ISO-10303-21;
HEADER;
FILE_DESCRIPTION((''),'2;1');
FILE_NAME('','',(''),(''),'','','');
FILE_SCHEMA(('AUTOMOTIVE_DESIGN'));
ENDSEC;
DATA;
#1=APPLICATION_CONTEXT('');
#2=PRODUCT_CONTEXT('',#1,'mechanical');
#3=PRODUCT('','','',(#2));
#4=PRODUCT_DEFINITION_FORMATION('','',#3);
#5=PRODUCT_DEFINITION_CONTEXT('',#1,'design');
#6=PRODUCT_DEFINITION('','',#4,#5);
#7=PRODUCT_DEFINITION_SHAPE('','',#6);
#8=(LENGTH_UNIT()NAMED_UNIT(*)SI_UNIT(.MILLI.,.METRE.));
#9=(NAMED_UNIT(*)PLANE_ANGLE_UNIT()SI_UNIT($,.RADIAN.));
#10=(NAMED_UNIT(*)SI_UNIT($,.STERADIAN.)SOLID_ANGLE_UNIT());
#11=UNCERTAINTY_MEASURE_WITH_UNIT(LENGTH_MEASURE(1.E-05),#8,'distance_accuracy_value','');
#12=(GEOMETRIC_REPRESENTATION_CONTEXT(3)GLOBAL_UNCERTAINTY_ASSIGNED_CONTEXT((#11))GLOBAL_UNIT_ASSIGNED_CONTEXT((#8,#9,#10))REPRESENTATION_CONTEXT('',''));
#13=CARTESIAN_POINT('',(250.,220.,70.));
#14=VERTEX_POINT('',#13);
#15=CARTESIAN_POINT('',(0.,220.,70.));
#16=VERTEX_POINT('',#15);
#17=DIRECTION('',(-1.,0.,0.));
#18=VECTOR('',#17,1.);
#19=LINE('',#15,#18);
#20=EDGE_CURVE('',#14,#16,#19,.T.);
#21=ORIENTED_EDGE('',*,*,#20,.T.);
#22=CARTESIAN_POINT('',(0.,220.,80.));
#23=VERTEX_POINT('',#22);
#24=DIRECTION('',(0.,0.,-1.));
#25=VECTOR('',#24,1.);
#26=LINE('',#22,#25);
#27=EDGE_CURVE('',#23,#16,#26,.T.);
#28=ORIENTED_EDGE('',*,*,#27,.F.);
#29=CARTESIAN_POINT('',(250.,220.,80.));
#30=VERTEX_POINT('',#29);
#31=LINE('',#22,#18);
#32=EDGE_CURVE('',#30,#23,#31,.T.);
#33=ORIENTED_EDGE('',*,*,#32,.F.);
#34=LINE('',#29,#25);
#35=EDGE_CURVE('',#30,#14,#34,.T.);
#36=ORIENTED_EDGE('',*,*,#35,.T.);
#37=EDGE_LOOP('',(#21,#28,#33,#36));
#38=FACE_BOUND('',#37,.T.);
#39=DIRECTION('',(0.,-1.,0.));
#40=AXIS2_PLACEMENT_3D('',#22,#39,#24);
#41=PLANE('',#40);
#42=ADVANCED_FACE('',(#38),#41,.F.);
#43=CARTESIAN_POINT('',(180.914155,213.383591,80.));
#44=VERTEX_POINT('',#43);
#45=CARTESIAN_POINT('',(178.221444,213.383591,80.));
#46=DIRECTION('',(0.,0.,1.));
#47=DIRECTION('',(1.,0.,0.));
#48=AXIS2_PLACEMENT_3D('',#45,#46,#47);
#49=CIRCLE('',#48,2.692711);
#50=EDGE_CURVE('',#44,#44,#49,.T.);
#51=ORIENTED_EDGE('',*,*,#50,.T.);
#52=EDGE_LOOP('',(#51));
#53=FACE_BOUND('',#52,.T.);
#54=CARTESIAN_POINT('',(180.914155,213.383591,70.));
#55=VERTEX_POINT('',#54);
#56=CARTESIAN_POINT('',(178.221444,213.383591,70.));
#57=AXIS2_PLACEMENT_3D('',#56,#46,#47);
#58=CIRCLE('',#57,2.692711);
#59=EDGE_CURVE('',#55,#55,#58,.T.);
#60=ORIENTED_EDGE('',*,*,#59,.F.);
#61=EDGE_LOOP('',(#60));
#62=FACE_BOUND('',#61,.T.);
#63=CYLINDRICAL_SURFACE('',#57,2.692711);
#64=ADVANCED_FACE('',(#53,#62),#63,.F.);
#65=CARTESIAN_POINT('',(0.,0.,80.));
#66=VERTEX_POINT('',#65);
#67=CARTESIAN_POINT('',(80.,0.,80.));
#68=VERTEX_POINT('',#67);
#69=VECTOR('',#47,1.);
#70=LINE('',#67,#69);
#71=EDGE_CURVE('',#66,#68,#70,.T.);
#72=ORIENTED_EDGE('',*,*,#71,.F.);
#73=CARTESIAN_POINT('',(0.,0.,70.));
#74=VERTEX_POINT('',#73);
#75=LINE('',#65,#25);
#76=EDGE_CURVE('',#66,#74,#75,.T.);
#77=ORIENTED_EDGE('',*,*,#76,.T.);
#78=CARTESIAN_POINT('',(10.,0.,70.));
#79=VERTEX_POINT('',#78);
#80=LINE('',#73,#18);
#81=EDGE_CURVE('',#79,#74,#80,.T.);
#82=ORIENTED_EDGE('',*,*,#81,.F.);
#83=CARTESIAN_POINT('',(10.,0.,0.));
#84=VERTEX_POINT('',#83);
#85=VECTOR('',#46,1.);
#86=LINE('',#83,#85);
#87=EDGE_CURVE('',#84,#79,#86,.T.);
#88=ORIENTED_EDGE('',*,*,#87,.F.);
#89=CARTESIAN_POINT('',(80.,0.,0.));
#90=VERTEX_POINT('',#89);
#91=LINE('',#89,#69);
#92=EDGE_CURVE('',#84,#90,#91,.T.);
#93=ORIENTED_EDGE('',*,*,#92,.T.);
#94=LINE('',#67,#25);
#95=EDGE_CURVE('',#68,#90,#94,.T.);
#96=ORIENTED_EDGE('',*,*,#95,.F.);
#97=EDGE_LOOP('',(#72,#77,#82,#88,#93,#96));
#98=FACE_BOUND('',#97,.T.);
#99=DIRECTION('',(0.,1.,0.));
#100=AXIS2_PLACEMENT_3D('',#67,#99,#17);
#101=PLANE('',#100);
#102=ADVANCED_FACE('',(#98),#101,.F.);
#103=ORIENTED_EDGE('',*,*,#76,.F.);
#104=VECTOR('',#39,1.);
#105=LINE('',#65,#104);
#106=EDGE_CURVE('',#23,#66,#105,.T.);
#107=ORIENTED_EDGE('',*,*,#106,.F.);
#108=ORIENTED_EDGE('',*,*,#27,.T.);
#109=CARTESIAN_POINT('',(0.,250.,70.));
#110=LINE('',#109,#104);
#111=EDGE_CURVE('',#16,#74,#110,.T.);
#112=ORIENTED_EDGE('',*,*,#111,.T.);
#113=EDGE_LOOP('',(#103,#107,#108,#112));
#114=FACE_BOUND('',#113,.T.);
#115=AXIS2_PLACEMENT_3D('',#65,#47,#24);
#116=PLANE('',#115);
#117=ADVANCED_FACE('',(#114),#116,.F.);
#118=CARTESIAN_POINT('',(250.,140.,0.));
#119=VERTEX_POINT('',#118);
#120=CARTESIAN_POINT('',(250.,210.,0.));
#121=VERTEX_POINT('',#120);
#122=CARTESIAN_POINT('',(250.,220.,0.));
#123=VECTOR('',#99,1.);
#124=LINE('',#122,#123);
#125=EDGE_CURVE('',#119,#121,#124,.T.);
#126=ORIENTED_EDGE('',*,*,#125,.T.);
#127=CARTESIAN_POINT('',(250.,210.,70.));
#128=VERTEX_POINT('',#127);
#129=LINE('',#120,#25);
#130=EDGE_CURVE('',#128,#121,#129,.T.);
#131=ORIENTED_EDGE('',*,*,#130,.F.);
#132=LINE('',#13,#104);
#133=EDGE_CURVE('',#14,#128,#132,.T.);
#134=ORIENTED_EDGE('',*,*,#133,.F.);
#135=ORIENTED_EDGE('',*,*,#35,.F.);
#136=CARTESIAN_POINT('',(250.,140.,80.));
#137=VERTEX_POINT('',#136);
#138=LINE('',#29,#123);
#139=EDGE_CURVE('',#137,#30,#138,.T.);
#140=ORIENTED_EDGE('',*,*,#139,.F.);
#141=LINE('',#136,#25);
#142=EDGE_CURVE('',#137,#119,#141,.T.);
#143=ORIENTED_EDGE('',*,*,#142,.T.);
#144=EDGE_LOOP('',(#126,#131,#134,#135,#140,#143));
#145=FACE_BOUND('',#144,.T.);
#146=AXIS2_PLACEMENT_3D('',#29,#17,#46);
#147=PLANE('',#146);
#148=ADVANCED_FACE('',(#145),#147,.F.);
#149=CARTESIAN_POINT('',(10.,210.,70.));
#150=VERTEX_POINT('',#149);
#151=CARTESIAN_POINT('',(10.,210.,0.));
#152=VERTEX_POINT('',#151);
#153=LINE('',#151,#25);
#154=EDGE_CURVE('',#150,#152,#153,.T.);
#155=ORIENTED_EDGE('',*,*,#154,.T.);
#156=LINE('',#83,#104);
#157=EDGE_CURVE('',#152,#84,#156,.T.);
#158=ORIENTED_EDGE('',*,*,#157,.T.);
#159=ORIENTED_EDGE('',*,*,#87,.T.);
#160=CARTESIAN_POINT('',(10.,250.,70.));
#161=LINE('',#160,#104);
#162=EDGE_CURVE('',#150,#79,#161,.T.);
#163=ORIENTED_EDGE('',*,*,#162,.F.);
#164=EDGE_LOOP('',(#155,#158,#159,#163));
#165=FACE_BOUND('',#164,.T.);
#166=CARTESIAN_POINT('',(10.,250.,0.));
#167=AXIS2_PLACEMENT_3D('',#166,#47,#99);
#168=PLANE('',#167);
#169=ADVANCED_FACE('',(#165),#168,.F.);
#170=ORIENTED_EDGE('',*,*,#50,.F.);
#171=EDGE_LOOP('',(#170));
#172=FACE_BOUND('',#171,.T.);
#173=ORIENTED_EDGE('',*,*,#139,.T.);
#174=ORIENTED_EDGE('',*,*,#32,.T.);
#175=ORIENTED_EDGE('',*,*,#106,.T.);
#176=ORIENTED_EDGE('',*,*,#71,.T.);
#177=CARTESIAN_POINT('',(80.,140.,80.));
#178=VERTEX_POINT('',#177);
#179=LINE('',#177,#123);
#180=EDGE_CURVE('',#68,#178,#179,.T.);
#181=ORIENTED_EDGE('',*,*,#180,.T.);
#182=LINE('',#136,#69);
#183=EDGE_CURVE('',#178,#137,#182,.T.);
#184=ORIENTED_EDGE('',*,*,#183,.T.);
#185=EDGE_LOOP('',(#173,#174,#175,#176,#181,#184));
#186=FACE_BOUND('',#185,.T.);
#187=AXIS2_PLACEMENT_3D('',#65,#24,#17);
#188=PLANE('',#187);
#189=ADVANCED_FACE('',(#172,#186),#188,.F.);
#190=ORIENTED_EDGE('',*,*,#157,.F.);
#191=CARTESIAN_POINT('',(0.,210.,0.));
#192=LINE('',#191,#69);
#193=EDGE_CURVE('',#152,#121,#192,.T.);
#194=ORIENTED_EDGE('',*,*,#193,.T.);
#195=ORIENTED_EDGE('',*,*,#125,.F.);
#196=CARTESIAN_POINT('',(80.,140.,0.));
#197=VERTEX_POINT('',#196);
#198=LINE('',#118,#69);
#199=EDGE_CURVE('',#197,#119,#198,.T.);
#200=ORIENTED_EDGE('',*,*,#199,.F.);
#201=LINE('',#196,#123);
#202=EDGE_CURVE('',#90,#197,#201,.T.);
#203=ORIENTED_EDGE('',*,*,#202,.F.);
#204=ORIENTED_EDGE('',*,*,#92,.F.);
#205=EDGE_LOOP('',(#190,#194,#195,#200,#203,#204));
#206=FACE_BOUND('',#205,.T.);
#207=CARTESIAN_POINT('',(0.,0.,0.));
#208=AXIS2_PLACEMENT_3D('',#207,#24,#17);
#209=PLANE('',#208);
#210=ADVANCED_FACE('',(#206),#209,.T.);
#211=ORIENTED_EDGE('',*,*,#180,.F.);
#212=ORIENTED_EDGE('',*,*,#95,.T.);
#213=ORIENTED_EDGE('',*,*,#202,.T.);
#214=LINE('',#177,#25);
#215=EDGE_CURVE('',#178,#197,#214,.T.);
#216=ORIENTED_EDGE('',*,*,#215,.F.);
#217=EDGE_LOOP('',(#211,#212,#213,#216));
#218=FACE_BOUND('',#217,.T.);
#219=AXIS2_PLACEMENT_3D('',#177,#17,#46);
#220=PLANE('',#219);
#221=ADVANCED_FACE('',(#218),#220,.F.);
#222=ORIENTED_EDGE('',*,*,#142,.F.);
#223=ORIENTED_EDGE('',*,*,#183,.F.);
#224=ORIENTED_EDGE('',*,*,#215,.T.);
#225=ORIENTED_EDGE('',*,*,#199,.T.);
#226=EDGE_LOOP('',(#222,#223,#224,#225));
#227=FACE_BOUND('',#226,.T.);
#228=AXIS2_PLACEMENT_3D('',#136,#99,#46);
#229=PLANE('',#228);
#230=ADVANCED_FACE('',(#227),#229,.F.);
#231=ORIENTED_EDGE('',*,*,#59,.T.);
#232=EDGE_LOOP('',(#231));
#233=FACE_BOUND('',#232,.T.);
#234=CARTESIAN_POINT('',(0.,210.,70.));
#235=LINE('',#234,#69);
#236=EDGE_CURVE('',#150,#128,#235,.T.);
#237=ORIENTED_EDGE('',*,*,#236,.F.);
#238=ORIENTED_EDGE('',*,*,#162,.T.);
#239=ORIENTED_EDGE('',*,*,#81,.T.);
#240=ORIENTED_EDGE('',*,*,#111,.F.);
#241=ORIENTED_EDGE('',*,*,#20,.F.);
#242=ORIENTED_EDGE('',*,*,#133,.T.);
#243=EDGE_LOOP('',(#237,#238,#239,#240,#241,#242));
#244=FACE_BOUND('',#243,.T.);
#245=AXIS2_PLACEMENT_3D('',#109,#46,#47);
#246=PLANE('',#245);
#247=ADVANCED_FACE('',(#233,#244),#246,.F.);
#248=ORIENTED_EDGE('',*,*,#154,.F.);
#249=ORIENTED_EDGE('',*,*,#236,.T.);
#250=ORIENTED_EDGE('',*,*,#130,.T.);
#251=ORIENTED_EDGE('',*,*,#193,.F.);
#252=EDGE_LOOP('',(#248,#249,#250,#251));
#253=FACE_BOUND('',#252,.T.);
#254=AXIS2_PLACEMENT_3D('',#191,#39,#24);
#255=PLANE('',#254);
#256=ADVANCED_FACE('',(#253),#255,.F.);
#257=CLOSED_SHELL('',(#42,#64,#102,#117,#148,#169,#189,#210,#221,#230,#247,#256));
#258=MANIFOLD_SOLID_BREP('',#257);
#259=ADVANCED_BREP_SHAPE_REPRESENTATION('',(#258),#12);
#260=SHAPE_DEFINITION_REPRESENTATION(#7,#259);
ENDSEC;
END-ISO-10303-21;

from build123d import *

# Parameters (mm, degrees)
EXTRUDE_1_DEPTH     = 80
SKETCH_2_W          = 10
SKETCH_2_H          = 70
CUT_EXTRUDE_1_DEPTH = 250
SKETCH_3_W          = 70
SKETCH_3_H          = 10
CUT_EXTRUDE_2_DEPTH = 250
SKETCH_4_R          = 2.692710991
CUT_EXTRUDE_3_DEPTH = 10


with BuildPart() as part:
    # Эскиз1 → Бобышка-Вытянуть1 (new body)
    with BuildSketch(Plane.XY):
        Polygon((0, 0), (0, 220), (250, 220), (250, 140), (80, 140), (80, 0), align=None)
    extrude(amount=EXTRUDE_1_DEPTH)

    # Эскиз2 → Вырез-Вытянуть1 (cut)
    with BuildSketch(Plane.XZ):
        with Locations((5, 35)):
            Rectangle(SKETCH_2_W, SKETCH_2_H)
    extrude(amount=-CUT_EXTRUDE_1_DEPTH, mode=Mode.SUBTRACT)

    # Эскиз3 → Вырез-Вытянуть2 (cut)
    with BuildSketch(Plane(origin=(250, 0, 0), x_dir=(0, 0, -1), z_dir=(1, 0, 0))):
        with Locations((-35, 215)):
            Rectangle(SKETCH_3_W, SKETCH_3_H)
    extrude(amount=-CUT_EXTRUDE_2_DEPTH, mode=Mode.SUBTRACT)

    # Эскиз4 → Вырез-Вытянуть3 (cut)
    with BuildSketch(Plane.XY.offset(80)):
        with Locations((178.22144368, 213.38359115)):
            Circle(SKETCH_4_R)
    extrude(amount=-CUT_EXTRUDE_3_DEPTH, mode=Mode.SUBTRACT)


solid = part.part
